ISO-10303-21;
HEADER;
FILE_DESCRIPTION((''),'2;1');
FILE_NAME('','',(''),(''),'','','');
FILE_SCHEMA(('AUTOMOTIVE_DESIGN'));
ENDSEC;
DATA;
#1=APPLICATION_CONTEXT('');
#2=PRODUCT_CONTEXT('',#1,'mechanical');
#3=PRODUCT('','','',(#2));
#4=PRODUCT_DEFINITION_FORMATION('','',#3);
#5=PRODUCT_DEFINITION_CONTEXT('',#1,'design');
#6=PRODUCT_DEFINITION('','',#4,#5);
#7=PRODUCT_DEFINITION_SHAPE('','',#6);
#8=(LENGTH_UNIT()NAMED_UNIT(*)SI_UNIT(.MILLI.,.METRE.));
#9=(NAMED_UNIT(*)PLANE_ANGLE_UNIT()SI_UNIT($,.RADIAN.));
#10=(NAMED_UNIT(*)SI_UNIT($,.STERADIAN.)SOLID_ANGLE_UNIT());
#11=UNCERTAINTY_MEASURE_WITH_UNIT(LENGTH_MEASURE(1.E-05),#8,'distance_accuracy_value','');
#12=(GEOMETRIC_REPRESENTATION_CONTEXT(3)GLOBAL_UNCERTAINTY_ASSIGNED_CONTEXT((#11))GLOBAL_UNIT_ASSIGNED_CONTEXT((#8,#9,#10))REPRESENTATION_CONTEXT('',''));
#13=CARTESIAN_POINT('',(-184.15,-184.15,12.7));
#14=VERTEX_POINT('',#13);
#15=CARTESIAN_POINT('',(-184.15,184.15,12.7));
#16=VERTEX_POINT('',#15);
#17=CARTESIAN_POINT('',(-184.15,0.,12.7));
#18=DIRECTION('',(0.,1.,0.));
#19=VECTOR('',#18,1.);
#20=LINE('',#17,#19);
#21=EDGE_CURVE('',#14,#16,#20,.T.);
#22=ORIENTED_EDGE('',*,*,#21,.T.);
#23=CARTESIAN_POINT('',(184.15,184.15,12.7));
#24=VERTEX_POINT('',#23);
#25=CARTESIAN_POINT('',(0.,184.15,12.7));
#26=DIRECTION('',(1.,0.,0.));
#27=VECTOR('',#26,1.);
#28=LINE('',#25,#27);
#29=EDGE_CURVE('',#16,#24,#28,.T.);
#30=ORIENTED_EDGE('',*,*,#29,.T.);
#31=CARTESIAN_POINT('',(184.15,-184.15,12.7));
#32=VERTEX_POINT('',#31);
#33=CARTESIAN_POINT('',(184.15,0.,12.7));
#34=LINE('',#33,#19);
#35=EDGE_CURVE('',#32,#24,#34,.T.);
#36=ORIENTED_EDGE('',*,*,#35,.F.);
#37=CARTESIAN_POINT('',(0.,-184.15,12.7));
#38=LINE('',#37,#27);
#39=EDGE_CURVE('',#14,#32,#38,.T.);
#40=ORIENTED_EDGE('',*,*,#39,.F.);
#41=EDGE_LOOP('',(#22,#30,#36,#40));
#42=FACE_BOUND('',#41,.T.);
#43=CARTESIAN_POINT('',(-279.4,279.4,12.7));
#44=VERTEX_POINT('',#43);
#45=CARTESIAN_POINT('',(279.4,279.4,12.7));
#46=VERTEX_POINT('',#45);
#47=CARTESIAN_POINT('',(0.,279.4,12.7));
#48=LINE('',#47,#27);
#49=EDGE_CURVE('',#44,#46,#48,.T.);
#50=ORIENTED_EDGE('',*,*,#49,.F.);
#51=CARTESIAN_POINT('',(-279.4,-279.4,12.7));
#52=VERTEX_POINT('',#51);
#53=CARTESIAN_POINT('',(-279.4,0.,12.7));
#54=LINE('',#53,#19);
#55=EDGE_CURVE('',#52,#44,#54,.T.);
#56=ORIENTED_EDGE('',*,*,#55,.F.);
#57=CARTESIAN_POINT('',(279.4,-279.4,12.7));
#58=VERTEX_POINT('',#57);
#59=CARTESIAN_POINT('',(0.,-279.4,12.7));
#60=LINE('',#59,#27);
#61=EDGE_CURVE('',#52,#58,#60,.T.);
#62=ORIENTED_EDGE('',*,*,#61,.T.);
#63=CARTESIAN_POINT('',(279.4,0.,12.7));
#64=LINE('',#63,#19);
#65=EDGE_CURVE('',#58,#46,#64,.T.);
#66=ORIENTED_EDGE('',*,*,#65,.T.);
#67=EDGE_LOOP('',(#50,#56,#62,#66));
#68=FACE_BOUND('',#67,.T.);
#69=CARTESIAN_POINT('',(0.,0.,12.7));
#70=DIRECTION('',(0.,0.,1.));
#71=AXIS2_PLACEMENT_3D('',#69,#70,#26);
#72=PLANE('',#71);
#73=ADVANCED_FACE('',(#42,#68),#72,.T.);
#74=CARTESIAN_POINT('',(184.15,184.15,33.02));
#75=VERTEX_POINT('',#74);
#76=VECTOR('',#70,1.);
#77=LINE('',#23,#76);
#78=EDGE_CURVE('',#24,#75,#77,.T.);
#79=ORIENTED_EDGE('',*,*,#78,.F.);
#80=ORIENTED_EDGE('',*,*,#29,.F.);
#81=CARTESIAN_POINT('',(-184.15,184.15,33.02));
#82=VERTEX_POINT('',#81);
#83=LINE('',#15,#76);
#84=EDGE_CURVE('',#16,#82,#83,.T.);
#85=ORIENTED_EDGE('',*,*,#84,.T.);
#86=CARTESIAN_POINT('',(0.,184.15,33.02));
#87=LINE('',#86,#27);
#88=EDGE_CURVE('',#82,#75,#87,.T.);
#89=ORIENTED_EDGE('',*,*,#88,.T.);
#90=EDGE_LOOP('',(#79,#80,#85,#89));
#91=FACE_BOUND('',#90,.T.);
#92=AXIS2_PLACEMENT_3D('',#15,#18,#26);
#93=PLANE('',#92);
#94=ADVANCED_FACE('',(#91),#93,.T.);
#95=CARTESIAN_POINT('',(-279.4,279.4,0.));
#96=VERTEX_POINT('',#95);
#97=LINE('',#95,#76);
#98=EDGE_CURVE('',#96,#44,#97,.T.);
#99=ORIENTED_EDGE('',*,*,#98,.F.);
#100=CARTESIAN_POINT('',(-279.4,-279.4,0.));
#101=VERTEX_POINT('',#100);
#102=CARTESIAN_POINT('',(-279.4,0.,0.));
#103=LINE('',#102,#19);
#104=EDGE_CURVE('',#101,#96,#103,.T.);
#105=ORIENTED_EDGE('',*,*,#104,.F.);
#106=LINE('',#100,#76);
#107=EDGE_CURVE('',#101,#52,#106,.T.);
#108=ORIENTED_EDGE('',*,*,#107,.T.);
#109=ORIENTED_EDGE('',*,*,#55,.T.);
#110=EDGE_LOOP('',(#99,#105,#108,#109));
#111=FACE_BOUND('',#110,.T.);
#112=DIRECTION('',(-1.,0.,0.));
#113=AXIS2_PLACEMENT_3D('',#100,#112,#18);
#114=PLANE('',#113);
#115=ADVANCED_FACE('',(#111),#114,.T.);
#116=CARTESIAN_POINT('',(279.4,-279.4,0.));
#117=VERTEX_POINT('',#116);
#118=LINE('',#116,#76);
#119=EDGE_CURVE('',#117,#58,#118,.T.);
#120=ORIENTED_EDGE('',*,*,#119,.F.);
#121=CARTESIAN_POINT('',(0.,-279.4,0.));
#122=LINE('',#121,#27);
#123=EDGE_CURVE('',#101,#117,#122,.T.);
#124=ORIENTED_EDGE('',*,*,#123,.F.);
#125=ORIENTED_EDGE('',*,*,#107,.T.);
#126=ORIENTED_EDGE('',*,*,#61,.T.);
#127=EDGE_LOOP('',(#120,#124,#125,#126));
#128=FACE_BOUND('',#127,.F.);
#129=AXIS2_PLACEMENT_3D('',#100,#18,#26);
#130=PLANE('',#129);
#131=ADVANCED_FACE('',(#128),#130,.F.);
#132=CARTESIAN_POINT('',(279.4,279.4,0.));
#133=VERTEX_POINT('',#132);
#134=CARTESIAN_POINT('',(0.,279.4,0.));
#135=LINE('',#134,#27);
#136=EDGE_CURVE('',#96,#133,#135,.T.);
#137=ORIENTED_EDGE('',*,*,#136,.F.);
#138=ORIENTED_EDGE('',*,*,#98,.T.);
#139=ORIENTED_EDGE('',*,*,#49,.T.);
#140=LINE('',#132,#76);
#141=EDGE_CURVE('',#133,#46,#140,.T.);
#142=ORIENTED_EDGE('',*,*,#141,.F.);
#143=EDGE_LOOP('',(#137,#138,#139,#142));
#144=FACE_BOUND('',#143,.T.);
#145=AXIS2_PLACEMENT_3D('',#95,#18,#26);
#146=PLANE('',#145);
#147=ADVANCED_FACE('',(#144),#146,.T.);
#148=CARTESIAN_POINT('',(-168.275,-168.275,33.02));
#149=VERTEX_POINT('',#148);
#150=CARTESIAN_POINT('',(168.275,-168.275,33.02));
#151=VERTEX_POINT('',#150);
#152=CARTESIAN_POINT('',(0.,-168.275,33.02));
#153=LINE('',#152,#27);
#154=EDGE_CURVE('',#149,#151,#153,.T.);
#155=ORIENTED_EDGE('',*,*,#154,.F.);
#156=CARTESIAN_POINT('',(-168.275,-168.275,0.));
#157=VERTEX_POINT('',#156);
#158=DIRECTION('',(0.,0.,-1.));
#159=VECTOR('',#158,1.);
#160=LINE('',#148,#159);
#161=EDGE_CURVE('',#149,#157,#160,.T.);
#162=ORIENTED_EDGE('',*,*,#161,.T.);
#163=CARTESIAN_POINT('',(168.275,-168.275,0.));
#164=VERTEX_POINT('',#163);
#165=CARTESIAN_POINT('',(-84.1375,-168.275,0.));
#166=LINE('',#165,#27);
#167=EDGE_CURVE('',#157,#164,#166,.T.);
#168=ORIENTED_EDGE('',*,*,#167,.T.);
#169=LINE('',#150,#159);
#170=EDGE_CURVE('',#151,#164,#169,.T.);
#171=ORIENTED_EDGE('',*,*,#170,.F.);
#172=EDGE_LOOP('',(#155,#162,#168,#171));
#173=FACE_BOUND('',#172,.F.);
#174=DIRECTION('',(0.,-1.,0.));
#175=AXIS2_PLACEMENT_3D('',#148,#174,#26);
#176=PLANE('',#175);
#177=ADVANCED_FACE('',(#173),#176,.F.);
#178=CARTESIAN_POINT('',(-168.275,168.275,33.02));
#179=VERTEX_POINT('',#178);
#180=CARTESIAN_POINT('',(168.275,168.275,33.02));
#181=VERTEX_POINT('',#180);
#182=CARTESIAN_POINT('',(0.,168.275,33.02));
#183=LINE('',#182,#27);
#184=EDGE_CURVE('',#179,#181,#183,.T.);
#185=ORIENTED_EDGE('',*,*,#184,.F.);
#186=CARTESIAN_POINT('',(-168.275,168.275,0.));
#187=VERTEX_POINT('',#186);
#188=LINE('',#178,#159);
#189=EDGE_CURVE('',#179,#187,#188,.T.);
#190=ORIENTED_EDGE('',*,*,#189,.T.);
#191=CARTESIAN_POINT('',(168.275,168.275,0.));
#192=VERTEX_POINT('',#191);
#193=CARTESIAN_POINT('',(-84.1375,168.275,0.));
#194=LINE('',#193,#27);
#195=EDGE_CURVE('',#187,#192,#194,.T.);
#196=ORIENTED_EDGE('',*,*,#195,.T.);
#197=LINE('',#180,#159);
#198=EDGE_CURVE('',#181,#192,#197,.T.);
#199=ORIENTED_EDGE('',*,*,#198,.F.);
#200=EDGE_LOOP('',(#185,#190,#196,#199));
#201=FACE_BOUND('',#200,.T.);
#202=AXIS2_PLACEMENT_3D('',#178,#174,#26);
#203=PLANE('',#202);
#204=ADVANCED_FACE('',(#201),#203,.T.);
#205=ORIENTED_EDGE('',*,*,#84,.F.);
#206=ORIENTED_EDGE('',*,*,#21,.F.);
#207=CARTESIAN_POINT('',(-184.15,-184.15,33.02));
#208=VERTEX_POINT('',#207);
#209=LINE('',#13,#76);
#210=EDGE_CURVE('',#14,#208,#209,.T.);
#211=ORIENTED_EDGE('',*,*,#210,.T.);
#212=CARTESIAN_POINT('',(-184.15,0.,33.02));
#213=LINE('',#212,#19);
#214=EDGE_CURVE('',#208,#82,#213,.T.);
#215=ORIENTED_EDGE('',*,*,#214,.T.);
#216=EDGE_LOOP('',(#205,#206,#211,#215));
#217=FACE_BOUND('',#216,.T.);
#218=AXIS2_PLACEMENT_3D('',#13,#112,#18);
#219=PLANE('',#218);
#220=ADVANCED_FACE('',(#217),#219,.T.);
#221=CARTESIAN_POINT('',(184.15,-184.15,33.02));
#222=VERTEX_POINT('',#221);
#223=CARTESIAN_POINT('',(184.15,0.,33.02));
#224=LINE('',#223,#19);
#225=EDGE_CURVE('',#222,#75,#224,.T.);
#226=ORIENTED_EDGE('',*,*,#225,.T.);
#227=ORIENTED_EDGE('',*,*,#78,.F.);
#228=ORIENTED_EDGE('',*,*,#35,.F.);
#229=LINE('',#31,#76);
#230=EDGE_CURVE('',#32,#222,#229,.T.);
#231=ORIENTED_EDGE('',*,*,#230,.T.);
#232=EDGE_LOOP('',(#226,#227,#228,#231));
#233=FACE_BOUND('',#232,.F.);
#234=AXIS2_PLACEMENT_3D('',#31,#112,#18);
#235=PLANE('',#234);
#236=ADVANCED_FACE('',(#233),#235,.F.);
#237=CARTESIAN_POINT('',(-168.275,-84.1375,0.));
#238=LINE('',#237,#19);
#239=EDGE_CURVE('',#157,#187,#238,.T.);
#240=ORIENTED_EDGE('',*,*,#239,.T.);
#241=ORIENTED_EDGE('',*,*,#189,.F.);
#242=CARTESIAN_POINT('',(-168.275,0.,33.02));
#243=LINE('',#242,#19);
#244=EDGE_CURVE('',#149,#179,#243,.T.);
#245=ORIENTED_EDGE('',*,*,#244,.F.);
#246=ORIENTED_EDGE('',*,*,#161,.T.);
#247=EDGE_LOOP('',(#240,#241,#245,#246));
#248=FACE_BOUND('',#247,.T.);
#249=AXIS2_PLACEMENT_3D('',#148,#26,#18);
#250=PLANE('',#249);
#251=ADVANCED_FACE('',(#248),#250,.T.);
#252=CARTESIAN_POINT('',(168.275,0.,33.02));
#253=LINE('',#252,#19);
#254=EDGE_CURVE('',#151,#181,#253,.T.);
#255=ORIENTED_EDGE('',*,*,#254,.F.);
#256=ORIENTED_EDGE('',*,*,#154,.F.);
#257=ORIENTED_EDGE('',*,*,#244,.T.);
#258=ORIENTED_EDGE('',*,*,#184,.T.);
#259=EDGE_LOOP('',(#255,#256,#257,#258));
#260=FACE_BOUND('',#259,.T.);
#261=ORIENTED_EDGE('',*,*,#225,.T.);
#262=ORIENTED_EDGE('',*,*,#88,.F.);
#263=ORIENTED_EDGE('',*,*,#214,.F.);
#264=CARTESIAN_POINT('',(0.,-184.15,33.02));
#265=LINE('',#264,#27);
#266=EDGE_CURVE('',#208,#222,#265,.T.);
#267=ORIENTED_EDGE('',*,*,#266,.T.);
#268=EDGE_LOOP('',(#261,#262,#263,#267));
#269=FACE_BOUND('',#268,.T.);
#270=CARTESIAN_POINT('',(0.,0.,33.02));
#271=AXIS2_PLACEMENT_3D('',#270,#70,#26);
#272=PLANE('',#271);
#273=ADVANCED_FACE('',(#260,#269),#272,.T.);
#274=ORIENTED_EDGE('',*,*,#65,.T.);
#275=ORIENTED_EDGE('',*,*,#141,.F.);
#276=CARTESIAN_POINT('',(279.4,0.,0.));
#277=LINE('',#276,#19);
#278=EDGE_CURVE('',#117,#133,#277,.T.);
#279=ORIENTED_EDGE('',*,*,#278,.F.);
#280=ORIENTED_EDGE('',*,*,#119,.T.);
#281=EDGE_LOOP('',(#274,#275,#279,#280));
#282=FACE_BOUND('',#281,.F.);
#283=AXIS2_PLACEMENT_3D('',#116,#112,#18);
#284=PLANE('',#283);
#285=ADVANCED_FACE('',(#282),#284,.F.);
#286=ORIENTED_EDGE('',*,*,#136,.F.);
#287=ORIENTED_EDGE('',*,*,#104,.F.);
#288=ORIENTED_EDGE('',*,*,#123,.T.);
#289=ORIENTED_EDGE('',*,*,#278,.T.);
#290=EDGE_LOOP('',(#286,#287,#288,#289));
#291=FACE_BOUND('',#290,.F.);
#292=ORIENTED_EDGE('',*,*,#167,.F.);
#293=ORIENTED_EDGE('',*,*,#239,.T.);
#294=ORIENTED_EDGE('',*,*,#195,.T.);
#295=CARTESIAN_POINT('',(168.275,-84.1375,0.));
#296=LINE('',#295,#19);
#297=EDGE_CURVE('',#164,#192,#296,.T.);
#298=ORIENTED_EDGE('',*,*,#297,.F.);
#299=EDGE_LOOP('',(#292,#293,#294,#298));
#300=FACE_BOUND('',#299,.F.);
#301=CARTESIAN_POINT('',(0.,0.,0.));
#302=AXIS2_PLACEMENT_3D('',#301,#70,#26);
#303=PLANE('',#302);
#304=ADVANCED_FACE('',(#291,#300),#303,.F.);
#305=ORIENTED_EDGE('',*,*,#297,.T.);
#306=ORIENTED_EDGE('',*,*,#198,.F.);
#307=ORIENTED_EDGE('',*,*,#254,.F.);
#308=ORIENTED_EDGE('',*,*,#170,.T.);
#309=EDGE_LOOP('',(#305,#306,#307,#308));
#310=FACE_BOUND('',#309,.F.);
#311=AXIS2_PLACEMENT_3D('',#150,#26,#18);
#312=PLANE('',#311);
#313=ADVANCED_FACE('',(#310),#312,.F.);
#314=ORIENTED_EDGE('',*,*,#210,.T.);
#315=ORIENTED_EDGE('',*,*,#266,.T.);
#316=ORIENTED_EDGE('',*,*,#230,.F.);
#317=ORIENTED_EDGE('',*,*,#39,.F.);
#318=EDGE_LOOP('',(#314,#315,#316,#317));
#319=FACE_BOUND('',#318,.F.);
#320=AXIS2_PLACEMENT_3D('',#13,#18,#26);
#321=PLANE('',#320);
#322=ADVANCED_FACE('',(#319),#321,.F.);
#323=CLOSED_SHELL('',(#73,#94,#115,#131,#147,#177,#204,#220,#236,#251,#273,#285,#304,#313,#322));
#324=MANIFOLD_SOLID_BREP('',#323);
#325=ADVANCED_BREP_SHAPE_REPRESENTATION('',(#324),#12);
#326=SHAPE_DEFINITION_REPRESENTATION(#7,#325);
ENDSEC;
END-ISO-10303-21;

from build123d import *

# Parameters (mm, degrees)
F0_W     = 558.8
F0_H     = 558.8
F1_DEPTH = 12.7
F2_W     = 368.3
F2_H     = 368.3
F3_DEPTH = 20.32
F4_W     = 336.55
F4_H     = 336.55
F5_DEPTH = 121.92


with BuildPart() as f1:
    # F0 (on Top) → F1 (new body)
    with BuildSketch(Plane.XY):
        Rectangle(F0_W, F0_H)
    extrude(amount=F1_DEPTH)

    # F2 (on face) → F3 (join)
    with BuildSketch(Plane.XY.offset(12.7)):
        Rectangle(F2_W, F2_H)
    extrude(amount=F3_DEPTH)

    # F4 (on face) → F5 (cut)
    with BuildSketch(Plane.XY.offset(33.02)):
        Rectangle(F4_W, F4_H)
    extrude(amount=-F5_DEPTH, mode=Mode.SUBTRACT)


solid = f1.part
